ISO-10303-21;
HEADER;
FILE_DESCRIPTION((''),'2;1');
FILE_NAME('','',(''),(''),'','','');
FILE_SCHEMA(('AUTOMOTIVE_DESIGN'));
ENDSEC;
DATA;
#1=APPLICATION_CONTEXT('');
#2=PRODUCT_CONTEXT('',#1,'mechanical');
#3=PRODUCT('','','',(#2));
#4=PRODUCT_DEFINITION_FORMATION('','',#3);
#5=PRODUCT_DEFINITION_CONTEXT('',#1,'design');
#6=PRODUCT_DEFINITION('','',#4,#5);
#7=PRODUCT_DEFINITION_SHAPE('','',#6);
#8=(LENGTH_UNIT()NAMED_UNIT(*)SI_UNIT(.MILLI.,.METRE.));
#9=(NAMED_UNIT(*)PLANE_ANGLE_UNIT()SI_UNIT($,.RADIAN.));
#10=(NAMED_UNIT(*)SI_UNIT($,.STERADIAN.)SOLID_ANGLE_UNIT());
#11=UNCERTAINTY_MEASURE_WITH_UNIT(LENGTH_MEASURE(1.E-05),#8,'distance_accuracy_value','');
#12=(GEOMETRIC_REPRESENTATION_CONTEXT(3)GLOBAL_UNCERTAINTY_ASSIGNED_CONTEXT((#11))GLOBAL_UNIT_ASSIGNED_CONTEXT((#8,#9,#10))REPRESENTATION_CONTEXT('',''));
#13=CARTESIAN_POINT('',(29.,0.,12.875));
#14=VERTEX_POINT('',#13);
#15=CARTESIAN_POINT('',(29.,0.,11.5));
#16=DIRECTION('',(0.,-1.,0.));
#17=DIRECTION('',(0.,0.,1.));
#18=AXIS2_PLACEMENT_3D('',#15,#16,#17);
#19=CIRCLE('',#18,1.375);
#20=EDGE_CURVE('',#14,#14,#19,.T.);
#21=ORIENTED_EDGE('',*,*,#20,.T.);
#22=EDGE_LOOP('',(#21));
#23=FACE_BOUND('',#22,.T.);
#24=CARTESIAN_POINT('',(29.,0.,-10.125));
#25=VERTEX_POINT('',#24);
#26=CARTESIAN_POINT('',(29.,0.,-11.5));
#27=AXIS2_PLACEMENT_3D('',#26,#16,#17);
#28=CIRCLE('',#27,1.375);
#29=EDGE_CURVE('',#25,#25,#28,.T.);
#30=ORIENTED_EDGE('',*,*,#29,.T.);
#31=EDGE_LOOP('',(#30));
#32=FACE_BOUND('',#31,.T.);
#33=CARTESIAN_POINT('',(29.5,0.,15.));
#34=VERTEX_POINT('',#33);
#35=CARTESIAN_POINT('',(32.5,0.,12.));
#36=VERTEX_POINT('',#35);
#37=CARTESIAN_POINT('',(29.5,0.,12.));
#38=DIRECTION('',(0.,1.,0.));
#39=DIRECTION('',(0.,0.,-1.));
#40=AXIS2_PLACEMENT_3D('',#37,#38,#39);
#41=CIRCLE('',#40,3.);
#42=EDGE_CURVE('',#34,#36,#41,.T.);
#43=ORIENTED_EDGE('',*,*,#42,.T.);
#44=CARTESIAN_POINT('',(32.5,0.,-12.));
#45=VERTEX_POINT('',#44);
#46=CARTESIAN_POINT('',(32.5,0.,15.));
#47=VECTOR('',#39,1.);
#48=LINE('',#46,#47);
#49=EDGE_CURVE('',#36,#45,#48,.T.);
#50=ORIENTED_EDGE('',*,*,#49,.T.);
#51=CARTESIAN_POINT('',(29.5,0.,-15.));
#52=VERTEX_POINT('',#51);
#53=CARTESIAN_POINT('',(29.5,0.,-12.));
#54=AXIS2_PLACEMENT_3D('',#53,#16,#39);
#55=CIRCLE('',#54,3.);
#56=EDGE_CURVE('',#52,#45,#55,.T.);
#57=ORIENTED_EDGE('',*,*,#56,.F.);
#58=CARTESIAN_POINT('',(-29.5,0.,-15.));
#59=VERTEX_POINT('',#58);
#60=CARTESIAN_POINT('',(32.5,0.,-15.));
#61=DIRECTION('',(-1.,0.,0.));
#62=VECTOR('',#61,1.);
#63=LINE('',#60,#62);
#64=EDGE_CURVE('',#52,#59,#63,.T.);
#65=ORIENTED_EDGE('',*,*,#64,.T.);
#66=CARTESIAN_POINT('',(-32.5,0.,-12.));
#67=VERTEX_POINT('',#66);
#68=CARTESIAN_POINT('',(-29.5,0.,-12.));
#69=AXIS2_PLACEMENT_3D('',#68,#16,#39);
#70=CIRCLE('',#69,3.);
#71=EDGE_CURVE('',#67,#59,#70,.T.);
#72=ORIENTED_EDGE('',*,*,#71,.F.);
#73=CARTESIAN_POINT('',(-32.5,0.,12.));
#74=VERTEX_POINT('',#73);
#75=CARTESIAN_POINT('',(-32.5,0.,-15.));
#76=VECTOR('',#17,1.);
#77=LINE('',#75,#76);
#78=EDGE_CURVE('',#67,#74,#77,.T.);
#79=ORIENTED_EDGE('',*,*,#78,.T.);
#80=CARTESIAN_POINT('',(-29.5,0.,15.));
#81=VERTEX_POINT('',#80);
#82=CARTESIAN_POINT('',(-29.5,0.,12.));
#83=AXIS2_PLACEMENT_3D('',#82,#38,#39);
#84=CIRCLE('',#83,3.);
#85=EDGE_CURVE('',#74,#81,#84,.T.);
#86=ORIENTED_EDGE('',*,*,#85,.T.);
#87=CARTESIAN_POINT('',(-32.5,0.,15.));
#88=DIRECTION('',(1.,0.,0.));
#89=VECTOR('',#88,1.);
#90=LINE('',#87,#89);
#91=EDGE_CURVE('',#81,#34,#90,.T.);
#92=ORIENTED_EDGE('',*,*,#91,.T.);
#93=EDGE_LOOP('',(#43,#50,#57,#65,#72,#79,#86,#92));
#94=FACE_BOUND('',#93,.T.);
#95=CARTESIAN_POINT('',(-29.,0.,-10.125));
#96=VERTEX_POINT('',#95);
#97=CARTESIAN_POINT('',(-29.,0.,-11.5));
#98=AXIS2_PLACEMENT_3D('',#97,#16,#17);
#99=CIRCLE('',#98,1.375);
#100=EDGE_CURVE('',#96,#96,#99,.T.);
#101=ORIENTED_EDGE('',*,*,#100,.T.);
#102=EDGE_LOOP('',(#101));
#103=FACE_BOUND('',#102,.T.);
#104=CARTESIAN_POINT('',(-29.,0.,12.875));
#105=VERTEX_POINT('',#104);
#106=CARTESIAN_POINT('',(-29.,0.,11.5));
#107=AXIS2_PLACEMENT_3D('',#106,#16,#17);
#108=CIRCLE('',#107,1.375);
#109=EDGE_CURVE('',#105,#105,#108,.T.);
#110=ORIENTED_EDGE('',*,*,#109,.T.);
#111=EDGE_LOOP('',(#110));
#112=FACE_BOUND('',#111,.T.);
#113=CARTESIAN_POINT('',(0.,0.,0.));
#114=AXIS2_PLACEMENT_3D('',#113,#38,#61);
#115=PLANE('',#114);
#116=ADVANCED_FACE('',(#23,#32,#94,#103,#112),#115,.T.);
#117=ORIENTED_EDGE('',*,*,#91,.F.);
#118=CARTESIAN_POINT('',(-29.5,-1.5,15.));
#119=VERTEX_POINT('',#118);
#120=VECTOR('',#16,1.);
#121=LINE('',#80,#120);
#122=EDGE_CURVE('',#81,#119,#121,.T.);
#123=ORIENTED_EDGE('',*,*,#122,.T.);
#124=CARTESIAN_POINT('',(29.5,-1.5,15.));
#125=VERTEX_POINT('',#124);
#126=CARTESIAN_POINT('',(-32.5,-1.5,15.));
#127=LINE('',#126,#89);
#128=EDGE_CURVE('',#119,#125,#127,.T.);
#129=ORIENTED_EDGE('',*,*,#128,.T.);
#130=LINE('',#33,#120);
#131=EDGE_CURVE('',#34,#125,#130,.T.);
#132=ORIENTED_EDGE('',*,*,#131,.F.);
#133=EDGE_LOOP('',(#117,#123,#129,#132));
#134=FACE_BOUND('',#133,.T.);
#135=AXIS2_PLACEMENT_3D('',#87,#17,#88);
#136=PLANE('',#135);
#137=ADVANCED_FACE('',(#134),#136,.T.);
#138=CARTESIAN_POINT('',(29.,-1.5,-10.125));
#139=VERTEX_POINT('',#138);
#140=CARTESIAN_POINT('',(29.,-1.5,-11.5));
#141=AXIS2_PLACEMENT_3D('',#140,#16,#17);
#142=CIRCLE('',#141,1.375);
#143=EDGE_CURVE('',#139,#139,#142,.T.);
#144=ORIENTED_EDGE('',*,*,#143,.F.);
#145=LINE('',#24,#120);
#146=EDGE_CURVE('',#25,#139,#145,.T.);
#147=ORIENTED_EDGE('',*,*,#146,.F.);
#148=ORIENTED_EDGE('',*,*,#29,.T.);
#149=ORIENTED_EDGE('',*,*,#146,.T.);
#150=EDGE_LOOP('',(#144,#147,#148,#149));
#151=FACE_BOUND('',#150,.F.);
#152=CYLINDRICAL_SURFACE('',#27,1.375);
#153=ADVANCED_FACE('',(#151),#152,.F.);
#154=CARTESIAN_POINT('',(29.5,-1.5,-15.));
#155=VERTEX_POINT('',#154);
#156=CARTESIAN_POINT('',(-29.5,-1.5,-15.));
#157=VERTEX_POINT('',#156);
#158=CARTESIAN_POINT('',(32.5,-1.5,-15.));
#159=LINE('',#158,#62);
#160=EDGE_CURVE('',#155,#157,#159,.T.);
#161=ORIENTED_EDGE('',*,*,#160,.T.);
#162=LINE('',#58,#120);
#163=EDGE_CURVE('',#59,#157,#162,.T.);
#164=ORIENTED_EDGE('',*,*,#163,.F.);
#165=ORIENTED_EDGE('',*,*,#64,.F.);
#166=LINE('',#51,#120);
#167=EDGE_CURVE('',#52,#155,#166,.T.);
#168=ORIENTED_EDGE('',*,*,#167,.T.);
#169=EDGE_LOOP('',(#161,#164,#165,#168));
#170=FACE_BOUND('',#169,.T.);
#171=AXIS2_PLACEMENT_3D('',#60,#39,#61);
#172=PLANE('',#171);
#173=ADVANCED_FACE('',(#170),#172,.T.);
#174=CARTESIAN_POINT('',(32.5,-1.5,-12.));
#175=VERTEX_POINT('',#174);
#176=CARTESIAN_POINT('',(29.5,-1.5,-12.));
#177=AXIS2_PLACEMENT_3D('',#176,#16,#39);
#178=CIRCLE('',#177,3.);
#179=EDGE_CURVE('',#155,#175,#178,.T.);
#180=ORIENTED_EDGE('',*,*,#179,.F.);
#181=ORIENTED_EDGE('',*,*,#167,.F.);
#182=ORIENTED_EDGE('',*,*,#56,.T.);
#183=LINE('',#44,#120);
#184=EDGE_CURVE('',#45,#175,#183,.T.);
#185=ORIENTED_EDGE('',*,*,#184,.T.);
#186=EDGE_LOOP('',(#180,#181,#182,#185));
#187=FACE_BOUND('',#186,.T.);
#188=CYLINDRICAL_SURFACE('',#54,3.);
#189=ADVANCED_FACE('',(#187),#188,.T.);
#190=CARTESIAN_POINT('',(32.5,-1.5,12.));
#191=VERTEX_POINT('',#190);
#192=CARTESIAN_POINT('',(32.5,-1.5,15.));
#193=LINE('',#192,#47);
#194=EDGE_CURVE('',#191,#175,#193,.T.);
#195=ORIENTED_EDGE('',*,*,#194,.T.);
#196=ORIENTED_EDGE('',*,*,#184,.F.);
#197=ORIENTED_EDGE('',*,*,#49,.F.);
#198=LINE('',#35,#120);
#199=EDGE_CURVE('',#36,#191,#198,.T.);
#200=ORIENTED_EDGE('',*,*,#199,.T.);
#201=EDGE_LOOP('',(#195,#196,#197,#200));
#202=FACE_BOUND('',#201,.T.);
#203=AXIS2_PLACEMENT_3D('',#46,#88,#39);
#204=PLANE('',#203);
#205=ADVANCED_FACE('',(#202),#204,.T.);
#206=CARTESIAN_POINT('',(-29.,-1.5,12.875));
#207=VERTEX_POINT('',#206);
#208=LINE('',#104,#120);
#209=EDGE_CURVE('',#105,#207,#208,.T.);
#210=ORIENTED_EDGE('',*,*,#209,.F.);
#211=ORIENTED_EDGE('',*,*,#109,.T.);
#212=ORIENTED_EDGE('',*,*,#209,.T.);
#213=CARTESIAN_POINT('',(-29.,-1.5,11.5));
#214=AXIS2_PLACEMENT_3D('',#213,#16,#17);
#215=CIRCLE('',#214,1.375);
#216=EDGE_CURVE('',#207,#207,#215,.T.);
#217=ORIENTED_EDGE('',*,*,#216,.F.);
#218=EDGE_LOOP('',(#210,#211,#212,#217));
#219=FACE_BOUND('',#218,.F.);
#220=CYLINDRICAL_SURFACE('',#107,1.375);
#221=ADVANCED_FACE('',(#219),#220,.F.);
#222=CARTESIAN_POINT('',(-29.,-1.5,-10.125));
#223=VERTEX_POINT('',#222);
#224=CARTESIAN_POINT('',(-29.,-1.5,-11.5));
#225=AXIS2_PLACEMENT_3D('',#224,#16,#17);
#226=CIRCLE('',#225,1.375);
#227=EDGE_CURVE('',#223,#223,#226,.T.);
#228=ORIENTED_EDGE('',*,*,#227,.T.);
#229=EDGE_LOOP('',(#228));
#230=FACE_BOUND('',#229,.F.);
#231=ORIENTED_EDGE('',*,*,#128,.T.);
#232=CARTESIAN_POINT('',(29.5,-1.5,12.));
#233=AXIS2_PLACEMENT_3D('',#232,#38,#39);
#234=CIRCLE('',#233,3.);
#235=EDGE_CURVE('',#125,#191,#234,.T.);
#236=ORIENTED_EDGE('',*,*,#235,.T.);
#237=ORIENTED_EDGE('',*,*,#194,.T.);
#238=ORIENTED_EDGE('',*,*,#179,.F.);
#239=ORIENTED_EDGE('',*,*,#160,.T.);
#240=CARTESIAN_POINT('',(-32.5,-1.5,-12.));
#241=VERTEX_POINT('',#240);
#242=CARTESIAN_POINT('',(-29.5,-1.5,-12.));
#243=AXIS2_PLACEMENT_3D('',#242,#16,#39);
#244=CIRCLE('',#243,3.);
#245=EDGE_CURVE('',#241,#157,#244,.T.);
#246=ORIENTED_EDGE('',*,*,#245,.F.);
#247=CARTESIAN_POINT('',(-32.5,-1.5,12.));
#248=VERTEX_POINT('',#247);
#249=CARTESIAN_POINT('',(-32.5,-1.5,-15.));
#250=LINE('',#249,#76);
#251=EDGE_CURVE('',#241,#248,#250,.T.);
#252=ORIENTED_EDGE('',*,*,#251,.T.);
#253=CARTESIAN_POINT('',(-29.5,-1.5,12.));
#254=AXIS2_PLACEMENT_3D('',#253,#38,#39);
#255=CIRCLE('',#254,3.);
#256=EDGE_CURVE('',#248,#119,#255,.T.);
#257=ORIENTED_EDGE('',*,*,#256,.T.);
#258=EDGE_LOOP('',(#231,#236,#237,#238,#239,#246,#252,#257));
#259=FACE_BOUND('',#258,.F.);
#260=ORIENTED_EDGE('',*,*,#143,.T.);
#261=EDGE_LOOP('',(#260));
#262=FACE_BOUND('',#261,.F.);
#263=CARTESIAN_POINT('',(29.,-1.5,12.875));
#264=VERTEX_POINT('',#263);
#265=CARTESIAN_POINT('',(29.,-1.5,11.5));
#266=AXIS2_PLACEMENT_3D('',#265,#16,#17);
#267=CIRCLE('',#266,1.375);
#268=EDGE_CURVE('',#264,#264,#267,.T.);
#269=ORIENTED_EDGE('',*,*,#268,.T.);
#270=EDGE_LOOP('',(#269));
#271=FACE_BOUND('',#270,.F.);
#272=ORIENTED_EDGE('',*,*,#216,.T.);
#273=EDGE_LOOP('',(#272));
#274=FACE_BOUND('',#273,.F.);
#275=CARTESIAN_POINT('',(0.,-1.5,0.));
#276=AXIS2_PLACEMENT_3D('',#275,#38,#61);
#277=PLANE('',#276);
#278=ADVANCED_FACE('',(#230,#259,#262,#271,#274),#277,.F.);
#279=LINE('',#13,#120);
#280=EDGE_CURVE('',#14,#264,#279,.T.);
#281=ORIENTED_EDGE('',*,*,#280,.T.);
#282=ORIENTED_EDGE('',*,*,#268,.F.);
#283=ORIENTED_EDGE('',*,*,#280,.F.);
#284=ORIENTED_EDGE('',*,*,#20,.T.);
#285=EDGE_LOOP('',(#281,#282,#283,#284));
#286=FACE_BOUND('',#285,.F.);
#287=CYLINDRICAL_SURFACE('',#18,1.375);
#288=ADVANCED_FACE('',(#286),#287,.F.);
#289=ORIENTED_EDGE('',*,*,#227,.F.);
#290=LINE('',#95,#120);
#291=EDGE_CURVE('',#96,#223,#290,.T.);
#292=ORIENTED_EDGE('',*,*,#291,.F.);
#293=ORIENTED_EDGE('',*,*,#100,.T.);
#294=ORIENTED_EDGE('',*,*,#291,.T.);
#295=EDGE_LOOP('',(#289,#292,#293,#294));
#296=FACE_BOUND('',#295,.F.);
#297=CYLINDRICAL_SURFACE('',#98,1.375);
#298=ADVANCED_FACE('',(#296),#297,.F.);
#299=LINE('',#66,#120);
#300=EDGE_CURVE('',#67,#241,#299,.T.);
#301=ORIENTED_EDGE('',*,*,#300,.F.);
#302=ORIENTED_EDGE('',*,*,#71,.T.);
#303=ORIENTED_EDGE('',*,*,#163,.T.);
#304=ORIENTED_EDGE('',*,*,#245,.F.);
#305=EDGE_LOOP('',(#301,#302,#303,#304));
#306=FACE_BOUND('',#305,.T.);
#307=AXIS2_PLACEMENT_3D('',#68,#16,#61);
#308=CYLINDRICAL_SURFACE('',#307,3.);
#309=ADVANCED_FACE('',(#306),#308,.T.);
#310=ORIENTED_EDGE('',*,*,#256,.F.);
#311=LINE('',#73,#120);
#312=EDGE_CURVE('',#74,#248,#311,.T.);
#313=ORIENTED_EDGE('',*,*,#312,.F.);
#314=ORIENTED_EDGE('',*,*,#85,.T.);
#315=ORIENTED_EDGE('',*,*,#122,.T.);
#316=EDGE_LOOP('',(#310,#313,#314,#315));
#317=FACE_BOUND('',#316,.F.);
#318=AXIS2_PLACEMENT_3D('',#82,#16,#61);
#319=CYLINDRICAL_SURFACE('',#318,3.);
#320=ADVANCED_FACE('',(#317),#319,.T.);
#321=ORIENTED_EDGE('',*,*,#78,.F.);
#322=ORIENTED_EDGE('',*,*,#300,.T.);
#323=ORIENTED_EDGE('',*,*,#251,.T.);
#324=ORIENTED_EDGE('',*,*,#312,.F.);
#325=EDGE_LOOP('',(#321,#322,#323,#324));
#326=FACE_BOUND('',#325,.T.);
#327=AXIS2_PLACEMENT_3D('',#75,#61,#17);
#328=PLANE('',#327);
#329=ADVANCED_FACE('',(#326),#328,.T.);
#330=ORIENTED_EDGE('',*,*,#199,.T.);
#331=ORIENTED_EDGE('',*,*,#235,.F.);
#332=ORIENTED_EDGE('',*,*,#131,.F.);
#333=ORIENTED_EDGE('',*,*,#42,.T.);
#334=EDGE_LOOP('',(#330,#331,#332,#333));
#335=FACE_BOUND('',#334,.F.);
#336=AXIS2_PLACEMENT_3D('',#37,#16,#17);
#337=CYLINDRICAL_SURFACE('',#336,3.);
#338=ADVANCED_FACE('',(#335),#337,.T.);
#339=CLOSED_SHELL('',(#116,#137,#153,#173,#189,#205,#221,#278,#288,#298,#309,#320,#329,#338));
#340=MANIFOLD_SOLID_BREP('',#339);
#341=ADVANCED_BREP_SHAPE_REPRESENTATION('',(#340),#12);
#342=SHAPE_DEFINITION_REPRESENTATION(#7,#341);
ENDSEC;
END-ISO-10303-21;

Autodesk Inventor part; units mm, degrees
ref_plane "YZ Plane" through (0, 0, 0) normal (1, 0, 0) x (0, 1, 0)
ref_plane "XZ Plane" through (0, 0, 0) normal (0, 1, 0) x (-1, 0, 0)
ref_plane "XY Plane" through (0, 0, 0) normal (0, 0, 1) x (1, 0, 0)
sketch "Sketch1" plane through (0, 0, 0) normal (0, 1, 0) x (-1, 0, 0)
  line L0 (32.5, 15) -> (-32.5, 15)
  line L1 (-32.5, 15) -> (-32.5, -15)
  line L2 (-32.5, -15) -> (32.5, -15)
  line L3 (32.5, -15) -> (32.5, 15)
  line L4 (32.5, 15) -> (-32.5, -15) construction
  line L5 (-32.5, 15) -> (32.5, -15) construction
  point P0 (0, 0)
  point P1 (-29, 11.5)
  point P2 (-29, -11.5)
  dimension "d0" = 65
  dimension "d1" = 30
extrude "Extrusion1" add sketch "Sketch1" against normal blind 1.5
sketch "Sketch2" plane through (0, 0, 0) normal (0, 1, 0) x (1, 0, 0)
  line L0 (-29, -11.5) -> (29, -11.5) construction
  line L1 (29, -11.5) -> (29, 11.5) construction
  line L2 (29, 11.5) -> (-29, 11.5) construction
  line L3 (-29, 11.5) -> (-29, -11.5) construction
  line L4 (-29, -11.5) -> (29, 11.5) construction
  line L5 (29, -11.5) -> (-29, 11.5) construction
  point P0 (0, 0)
  dimension "d6" = 58
  dimension "d7" = 23
hole "Hole1" at (-29, 0, 11.5) at (-29, 0, -11.5) at (29, 0, -11.5) at (29, 0, 11.5) direction (0, -1, 0) diameter 2.75 end through all
fillet "Fillet1" radius 3 4 edges at (-32.5, -0.75, 15) (32.5, -0.75, 15) (32.5, -0.75, -15) (-32.5, -0.75, -15)
equation "\"d0\" = PiZeroWLength"
equation "\"d1\" = PiZeroWWidth"
equation "\"d4\" = PiZeroWHeight"
equation "\"d6\" = PiZeroMoutingHolesLength"
equation "\"d7\" = PiZeroMountingHolesWidth"
equation "\"d8\" = PiZeroWMountingHole"
equation "\"PiZeroWHeight\" = 1.5"
equation "\"PiZeroWLength\" = 65"
equation "\"PiZeroWWidth\" = 30"
equation "\"PiZeroMoutingHolesLength\" = 58"
equation "\"PiZeroMountingHolesWidth\" = 23"
equation "\"PiZeroWMountingHole\" = 2.75"
properties part number "PiZeroWMechanicalLayout" material "LCP Plastic"
